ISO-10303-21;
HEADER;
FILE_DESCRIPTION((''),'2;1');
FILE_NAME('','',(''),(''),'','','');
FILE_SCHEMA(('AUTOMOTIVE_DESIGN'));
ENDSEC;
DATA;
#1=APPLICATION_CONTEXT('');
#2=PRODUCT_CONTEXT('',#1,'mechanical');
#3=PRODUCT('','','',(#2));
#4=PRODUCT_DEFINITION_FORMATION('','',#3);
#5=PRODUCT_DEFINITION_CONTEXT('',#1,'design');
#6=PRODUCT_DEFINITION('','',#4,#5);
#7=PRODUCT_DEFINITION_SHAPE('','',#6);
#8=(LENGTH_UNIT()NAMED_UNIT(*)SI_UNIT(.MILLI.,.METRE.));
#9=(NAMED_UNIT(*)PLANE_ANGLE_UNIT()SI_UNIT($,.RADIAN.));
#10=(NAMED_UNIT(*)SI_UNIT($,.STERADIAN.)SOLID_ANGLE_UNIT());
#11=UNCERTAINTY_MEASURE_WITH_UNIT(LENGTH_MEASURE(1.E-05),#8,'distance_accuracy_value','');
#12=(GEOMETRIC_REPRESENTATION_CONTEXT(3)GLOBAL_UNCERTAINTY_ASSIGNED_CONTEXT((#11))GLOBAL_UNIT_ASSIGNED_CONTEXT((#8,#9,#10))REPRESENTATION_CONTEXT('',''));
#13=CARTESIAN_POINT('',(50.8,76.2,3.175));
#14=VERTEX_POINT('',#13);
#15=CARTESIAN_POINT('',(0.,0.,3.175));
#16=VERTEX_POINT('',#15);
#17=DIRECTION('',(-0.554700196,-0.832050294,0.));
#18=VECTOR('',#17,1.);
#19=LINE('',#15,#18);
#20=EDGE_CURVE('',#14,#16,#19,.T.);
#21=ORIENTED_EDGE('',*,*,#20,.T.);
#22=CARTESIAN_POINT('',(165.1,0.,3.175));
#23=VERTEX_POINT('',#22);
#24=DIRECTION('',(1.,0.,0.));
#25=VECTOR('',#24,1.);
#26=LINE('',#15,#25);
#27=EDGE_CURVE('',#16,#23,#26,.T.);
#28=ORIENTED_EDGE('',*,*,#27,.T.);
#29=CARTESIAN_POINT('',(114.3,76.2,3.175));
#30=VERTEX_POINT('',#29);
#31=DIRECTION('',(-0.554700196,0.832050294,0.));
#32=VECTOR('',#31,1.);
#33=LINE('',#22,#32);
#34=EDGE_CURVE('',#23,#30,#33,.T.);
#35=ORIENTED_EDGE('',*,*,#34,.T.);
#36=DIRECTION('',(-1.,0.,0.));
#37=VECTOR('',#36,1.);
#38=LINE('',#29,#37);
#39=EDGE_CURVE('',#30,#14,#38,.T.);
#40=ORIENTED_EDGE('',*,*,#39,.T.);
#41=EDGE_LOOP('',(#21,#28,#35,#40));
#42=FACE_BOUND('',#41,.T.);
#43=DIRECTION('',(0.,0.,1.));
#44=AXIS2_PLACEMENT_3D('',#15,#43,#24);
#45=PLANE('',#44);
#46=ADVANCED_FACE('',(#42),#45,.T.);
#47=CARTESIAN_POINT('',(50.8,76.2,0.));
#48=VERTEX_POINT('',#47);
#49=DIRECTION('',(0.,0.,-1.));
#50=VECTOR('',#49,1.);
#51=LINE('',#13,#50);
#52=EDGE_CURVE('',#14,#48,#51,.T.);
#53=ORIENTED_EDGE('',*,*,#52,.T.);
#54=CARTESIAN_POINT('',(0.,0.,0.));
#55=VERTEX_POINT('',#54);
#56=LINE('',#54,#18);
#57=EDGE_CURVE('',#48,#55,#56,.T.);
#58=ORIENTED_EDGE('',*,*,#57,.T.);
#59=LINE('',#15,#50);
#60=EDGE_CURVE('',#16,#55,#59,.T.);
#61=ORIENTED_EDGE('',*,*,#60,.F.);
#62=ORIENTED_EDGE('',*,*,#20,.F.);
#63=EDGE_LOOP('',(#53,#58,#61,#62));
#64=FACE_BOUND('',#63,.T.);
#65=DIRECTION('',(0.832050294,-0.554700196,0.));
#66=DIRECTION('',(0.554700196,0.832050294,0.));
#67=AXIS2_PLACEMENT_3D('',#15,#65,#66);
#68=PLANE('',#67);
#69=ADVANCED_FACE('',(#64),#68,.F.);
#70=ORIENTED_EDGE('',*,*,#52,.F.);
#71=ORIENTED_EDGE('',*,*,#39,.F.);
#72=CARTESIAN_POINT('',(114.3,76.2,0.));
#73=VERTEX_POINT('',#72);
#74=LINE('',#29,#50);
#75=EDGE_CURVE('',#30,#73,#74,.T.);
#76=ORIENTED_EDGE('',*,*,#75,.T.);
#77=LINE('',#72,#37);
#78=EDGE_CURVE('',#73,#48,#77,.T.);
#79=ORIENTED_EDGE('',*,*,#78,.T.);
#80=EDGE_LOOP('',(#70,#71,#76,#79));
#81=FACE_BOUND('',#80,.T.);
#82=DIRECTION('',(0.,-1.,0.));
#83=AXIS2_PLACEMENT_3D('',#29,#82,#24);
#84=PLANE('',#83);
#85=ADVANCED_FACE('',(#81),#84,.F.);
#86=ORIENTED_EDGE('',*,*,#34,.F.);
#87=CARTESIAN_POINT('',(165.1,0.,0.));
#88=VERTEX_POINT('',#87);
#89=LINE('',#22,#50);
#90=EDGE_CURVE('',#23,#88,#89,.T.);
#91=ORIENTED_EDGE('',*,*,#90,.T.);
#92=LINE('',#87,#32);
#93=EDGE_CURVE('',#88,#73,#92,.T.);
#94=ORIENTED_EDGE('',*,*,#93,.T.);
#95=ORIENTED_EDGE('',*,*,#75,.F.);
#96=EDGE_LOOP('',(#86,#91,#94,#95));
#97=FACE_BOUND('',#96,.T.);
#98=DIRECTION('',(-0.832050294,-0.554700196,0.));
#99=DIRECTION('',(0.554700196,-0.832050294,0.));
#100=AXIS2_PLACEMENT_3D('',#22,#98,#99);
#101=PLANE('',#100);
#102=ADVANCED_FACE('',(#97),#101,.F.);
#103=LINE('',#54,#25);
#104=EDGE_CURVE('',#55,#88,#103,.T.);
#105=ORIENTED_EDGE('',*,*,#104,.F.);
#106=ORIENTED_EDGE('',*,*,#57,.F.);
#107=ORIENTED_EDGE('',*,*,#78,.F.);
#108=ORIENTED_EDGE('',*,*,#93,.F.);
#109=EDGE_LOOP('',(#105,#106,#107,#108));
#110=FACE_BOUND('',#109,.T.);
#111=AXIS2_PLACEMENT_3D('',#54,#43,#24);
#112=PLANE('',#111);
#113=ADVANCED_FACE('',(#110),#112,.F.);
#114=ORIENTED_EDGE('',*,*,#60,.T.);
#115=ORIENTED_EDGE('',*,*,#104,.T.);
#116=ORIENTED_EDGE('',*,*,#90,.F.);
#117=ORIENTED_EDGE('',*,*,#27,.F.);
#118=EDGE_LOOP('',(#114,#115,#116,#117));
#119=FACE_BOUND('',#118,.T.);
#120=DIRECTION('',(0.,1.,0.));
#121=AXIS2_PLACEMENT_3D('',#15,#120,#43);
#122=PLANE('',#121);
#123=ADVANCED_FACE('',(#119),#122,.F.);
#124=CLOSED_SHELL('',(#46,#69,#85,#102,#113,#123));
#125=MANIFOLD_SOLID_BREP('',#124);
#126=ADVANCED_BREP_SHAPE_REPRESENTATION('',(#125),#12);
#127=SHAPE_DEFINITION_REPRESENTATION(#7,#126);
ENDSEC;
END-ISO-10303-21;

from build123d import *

# Parameters (mm, degrees)
BOSS_EXTRUDE1_DEPTH = 3.175


with BuildPart() as part:
    # Sketch1 → Boss-Extrude1 (new body)
    with BuildSketch(Plane.XY):
        Polygon((0, 0), (165.1, 0), (114.3, 76.2), (50.8, 76.2), align=None)
    extrude(amount=BOSS_EXTRUDE1_DEPTH)


solid = part.part
